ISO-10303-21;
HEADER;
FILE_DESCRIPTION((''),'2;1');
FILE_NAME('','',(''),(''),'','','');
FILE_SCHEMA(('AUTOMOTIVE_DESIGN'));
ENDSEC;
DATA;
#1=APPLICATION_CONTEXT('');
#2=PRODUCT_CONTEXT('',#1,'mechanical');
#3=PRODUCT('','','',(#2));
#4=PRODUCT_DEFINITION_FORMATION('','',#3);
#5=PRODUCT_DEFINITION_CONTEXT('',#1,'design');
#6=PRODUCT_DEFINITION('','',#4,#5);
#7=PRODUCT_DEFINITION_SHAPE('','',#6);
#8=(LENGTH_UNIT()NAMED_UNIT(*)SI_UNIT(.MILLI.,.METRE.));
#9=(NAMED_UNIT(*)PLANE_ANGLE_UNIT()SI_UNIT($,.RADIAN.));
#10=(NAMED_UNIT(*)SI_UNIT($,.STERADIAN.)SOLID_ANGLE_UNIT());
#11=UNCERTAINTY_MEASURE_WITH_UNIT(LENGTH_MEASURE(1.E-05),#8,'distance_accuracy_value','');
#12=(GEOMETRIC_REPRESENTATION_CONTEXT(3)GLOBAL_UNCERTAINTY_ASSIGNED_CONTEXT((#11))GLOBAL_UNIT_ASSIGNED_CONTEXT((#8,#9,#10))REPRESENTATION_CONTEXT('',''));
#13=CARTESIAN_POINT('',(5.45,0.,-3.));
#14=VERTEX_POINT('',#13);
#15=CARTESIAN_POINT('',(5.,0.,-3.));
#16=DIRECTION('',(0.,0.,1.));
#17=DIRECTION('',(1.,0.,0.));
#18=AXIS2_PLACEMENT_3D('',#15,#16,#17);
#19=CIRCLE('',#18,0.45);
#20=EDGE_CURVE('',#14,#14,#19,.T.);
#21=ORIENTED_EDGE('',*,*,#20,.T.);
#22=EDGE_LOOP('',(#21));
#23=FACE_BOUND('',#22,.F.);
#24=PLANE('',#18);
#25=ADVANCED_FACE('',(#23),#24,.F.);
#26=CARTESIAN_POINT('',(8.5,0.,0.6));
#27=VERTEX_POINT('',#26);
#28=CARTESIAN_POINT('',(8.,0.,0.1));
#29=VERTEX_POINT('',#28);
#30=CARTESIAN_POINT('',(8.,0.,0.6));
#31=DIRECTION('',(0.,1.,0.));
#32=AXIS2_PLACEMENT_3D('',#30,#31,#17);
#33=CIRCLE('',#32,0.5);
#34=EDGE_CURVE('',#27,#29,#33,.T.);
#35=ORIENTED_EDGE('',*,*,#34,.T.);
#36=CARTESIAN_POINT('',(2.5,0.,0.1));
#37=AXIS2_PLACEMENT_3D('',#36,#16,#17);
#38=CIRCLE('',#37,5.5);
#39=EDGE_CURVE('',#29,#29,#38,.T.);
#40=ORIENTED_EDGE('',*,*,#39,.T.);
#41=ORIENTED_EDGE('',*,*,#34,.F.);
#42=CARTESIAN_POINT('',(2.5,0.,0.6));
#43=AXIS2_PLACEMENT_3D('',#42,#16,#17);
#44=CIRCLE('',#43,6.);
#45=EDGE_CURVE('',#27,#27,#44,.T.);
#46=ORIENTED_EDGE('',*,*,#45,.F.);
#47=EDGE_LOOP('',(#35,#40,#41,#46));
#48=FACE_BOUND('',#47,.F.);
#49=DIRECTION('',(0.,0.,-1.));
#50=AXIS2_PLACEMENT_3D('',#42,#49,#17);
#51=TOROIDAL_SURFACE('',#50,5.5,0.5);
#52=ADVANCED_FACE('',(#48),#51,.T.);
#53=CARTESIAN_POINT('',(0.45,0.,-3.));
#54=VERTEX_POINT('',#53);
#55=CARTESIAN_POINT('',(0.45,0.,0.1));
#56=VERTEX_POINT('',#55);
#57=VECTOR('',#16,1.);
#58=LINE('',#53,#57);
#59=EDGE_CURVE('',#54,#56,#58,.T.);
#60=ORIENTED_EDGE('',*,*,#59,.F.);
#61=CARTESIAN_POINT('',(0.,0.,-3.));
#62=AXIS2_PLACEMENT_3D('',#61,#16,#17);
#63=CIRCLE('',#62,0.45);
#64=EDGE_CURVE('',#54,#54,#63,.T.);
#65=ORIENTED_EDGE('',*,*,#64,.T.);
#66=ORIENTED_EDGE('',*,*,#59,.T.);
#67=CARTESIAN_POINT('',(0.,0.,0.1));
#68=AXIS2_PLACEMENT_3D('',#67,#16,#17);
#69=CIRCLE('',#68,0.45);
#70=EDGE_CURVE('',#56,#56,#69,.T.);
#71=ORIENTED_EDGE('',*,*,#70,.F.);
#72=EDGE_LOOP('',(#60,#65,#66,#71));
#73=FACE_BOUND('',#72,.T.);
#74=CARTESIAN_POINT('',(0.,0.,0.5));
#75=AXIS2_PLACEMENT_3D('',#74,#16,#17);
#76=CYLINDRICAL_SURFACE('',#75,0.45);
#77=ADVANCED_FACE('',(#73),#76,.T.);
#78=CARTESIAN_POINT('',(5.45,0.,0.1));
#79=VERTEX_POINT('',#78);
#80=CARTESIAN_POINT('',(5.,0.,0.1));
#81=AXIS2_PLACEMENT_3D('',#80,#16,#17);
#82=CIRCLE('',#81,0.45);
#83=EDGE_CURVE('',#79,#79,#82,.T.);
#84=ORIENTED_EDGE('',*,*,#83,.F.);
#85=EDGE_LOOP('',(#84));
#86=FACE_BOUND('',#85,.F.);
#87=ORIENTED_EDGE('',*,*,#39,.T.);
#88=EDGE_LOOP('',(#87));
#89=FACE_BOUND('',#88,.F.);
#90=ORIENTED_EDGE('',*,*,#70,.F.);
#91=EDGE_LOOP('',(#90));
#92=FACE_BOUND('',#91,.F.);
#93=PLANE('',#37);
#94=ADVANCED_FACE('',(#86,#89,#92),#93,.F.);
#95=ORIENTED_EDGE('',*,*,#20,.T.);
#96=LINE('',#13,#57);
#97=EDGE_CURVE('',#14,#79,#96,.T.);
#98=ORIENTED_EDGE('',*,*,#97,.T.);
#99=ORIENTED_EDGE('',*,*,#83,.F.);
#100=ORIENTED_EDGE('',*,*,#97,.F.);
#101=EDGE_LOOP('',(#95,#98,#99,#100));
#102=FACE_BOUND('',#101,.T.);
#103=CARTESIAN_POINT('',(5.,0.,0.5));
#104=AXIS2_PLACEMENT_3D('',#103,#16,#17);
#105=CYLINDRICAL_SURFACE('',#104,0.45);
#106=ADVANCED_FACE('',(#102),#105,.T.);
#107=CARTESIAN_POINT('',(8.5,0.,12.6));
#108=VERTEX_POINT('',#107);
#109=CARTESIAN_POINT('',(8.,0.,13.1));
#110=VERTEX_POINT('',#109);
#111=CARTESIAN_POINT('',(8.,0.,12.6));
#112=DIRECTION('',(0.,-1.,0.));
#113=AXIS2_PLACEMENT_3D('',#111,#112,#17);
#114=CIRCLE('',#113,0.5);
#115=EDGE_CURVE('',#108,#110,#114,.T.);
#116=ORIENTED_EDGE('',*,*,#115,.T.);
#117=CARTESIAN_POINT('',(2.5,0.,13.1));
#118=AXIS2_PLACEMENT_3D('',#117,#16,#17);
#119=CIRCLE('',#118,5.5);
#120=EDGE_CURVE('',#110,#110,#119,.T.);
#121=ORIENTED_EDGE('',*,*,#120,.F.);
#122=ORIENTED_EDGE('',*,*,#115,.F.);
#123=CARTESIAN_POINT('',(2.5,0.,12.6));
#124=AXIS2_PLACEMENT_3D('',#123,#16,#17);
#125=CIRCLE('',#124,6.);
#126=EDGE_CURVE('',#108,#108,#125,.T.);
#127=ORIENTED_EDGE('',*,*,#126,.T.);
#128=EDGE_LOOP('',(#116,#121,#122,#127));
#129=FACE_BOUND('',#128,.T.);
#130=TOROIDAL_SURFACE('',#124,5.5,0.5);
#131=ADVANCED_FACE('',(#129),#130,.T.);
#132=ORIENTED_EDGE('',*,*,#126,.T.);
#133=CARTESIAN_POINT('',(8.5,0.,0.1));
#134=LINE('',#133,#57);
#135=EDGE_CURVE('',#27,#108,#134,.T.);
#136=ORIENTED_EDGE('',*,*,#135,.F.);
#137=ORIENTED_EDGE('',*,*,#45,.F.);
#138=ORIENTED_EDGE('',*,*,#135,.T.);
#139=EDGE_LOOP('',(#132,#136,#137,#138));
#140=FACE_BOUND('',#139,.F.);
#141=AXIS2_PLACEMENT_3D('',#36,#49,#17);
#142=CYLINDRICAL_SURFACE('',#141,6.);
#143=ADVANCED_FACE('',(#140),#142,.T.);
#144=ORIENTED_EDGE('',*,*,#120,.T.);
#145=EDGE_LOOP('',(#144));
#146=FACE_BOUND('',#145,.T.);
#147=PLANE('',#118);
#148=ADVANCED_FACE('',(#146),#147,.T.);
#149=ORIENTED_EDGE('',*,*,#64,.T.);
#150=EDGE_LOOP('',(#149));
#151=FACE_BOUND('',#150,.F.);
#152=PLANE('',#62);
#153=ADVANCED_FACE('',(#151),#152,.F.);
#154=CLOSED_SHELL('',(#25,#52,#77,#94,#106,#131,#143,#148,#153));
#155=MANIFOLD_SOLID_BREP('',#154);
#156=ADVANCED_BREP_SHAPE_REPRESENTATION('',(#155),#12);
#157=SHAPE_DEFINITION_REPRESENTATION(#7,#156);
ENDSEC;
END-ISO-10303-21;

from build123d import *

# Parameters (mm, degrees)
SKETCH001_R       = 0.45
PAD001_DEPTH      = 6.5
PAD001_DEPTH_BACK = 3.5
SKETCH_R          = 6
PAD_DEPTH         = 13
FILLET_R          = 0.5


with BuildPart() as pad001:
    # Sketch001 → Pad001 (new body, two sides)
    with BuildSketch(Plane.XY.offset(0.5)) as pad001_sk:
        Circle(SKETCH001_R)
        with Locations((5, 0)):
            Circle(SKETCH001_R)
    extrude(amount=PAD001_DEPTH)
    extrude(pad001_sk.sketch, amount=-PAD001_DEPTH_BACK)


with BuildPart() as fillet_mp_cp:
    # Sketch → Pad (new body)
    with BuildSketch(Plane.XY.offset(0.1)):
        with Locations((2.5, 0)):
            Circle(SKETCH_R)
    extrude(amount=PAD_DEPTH)

    # Fillet
    fillet_edges = [fillet_mp_cp.edges().sort_by_distance(p)[0] for p in [
        (-3.5, 0, 0.1),
        (-3.5, 0, 13.1),
    ]]
    fillet(fillet_edges, radius=FILLET_R)

    # Fillet_mp_cp: union Pad001
    add(pad001.part)


solid = fillet_mp_cp.part
